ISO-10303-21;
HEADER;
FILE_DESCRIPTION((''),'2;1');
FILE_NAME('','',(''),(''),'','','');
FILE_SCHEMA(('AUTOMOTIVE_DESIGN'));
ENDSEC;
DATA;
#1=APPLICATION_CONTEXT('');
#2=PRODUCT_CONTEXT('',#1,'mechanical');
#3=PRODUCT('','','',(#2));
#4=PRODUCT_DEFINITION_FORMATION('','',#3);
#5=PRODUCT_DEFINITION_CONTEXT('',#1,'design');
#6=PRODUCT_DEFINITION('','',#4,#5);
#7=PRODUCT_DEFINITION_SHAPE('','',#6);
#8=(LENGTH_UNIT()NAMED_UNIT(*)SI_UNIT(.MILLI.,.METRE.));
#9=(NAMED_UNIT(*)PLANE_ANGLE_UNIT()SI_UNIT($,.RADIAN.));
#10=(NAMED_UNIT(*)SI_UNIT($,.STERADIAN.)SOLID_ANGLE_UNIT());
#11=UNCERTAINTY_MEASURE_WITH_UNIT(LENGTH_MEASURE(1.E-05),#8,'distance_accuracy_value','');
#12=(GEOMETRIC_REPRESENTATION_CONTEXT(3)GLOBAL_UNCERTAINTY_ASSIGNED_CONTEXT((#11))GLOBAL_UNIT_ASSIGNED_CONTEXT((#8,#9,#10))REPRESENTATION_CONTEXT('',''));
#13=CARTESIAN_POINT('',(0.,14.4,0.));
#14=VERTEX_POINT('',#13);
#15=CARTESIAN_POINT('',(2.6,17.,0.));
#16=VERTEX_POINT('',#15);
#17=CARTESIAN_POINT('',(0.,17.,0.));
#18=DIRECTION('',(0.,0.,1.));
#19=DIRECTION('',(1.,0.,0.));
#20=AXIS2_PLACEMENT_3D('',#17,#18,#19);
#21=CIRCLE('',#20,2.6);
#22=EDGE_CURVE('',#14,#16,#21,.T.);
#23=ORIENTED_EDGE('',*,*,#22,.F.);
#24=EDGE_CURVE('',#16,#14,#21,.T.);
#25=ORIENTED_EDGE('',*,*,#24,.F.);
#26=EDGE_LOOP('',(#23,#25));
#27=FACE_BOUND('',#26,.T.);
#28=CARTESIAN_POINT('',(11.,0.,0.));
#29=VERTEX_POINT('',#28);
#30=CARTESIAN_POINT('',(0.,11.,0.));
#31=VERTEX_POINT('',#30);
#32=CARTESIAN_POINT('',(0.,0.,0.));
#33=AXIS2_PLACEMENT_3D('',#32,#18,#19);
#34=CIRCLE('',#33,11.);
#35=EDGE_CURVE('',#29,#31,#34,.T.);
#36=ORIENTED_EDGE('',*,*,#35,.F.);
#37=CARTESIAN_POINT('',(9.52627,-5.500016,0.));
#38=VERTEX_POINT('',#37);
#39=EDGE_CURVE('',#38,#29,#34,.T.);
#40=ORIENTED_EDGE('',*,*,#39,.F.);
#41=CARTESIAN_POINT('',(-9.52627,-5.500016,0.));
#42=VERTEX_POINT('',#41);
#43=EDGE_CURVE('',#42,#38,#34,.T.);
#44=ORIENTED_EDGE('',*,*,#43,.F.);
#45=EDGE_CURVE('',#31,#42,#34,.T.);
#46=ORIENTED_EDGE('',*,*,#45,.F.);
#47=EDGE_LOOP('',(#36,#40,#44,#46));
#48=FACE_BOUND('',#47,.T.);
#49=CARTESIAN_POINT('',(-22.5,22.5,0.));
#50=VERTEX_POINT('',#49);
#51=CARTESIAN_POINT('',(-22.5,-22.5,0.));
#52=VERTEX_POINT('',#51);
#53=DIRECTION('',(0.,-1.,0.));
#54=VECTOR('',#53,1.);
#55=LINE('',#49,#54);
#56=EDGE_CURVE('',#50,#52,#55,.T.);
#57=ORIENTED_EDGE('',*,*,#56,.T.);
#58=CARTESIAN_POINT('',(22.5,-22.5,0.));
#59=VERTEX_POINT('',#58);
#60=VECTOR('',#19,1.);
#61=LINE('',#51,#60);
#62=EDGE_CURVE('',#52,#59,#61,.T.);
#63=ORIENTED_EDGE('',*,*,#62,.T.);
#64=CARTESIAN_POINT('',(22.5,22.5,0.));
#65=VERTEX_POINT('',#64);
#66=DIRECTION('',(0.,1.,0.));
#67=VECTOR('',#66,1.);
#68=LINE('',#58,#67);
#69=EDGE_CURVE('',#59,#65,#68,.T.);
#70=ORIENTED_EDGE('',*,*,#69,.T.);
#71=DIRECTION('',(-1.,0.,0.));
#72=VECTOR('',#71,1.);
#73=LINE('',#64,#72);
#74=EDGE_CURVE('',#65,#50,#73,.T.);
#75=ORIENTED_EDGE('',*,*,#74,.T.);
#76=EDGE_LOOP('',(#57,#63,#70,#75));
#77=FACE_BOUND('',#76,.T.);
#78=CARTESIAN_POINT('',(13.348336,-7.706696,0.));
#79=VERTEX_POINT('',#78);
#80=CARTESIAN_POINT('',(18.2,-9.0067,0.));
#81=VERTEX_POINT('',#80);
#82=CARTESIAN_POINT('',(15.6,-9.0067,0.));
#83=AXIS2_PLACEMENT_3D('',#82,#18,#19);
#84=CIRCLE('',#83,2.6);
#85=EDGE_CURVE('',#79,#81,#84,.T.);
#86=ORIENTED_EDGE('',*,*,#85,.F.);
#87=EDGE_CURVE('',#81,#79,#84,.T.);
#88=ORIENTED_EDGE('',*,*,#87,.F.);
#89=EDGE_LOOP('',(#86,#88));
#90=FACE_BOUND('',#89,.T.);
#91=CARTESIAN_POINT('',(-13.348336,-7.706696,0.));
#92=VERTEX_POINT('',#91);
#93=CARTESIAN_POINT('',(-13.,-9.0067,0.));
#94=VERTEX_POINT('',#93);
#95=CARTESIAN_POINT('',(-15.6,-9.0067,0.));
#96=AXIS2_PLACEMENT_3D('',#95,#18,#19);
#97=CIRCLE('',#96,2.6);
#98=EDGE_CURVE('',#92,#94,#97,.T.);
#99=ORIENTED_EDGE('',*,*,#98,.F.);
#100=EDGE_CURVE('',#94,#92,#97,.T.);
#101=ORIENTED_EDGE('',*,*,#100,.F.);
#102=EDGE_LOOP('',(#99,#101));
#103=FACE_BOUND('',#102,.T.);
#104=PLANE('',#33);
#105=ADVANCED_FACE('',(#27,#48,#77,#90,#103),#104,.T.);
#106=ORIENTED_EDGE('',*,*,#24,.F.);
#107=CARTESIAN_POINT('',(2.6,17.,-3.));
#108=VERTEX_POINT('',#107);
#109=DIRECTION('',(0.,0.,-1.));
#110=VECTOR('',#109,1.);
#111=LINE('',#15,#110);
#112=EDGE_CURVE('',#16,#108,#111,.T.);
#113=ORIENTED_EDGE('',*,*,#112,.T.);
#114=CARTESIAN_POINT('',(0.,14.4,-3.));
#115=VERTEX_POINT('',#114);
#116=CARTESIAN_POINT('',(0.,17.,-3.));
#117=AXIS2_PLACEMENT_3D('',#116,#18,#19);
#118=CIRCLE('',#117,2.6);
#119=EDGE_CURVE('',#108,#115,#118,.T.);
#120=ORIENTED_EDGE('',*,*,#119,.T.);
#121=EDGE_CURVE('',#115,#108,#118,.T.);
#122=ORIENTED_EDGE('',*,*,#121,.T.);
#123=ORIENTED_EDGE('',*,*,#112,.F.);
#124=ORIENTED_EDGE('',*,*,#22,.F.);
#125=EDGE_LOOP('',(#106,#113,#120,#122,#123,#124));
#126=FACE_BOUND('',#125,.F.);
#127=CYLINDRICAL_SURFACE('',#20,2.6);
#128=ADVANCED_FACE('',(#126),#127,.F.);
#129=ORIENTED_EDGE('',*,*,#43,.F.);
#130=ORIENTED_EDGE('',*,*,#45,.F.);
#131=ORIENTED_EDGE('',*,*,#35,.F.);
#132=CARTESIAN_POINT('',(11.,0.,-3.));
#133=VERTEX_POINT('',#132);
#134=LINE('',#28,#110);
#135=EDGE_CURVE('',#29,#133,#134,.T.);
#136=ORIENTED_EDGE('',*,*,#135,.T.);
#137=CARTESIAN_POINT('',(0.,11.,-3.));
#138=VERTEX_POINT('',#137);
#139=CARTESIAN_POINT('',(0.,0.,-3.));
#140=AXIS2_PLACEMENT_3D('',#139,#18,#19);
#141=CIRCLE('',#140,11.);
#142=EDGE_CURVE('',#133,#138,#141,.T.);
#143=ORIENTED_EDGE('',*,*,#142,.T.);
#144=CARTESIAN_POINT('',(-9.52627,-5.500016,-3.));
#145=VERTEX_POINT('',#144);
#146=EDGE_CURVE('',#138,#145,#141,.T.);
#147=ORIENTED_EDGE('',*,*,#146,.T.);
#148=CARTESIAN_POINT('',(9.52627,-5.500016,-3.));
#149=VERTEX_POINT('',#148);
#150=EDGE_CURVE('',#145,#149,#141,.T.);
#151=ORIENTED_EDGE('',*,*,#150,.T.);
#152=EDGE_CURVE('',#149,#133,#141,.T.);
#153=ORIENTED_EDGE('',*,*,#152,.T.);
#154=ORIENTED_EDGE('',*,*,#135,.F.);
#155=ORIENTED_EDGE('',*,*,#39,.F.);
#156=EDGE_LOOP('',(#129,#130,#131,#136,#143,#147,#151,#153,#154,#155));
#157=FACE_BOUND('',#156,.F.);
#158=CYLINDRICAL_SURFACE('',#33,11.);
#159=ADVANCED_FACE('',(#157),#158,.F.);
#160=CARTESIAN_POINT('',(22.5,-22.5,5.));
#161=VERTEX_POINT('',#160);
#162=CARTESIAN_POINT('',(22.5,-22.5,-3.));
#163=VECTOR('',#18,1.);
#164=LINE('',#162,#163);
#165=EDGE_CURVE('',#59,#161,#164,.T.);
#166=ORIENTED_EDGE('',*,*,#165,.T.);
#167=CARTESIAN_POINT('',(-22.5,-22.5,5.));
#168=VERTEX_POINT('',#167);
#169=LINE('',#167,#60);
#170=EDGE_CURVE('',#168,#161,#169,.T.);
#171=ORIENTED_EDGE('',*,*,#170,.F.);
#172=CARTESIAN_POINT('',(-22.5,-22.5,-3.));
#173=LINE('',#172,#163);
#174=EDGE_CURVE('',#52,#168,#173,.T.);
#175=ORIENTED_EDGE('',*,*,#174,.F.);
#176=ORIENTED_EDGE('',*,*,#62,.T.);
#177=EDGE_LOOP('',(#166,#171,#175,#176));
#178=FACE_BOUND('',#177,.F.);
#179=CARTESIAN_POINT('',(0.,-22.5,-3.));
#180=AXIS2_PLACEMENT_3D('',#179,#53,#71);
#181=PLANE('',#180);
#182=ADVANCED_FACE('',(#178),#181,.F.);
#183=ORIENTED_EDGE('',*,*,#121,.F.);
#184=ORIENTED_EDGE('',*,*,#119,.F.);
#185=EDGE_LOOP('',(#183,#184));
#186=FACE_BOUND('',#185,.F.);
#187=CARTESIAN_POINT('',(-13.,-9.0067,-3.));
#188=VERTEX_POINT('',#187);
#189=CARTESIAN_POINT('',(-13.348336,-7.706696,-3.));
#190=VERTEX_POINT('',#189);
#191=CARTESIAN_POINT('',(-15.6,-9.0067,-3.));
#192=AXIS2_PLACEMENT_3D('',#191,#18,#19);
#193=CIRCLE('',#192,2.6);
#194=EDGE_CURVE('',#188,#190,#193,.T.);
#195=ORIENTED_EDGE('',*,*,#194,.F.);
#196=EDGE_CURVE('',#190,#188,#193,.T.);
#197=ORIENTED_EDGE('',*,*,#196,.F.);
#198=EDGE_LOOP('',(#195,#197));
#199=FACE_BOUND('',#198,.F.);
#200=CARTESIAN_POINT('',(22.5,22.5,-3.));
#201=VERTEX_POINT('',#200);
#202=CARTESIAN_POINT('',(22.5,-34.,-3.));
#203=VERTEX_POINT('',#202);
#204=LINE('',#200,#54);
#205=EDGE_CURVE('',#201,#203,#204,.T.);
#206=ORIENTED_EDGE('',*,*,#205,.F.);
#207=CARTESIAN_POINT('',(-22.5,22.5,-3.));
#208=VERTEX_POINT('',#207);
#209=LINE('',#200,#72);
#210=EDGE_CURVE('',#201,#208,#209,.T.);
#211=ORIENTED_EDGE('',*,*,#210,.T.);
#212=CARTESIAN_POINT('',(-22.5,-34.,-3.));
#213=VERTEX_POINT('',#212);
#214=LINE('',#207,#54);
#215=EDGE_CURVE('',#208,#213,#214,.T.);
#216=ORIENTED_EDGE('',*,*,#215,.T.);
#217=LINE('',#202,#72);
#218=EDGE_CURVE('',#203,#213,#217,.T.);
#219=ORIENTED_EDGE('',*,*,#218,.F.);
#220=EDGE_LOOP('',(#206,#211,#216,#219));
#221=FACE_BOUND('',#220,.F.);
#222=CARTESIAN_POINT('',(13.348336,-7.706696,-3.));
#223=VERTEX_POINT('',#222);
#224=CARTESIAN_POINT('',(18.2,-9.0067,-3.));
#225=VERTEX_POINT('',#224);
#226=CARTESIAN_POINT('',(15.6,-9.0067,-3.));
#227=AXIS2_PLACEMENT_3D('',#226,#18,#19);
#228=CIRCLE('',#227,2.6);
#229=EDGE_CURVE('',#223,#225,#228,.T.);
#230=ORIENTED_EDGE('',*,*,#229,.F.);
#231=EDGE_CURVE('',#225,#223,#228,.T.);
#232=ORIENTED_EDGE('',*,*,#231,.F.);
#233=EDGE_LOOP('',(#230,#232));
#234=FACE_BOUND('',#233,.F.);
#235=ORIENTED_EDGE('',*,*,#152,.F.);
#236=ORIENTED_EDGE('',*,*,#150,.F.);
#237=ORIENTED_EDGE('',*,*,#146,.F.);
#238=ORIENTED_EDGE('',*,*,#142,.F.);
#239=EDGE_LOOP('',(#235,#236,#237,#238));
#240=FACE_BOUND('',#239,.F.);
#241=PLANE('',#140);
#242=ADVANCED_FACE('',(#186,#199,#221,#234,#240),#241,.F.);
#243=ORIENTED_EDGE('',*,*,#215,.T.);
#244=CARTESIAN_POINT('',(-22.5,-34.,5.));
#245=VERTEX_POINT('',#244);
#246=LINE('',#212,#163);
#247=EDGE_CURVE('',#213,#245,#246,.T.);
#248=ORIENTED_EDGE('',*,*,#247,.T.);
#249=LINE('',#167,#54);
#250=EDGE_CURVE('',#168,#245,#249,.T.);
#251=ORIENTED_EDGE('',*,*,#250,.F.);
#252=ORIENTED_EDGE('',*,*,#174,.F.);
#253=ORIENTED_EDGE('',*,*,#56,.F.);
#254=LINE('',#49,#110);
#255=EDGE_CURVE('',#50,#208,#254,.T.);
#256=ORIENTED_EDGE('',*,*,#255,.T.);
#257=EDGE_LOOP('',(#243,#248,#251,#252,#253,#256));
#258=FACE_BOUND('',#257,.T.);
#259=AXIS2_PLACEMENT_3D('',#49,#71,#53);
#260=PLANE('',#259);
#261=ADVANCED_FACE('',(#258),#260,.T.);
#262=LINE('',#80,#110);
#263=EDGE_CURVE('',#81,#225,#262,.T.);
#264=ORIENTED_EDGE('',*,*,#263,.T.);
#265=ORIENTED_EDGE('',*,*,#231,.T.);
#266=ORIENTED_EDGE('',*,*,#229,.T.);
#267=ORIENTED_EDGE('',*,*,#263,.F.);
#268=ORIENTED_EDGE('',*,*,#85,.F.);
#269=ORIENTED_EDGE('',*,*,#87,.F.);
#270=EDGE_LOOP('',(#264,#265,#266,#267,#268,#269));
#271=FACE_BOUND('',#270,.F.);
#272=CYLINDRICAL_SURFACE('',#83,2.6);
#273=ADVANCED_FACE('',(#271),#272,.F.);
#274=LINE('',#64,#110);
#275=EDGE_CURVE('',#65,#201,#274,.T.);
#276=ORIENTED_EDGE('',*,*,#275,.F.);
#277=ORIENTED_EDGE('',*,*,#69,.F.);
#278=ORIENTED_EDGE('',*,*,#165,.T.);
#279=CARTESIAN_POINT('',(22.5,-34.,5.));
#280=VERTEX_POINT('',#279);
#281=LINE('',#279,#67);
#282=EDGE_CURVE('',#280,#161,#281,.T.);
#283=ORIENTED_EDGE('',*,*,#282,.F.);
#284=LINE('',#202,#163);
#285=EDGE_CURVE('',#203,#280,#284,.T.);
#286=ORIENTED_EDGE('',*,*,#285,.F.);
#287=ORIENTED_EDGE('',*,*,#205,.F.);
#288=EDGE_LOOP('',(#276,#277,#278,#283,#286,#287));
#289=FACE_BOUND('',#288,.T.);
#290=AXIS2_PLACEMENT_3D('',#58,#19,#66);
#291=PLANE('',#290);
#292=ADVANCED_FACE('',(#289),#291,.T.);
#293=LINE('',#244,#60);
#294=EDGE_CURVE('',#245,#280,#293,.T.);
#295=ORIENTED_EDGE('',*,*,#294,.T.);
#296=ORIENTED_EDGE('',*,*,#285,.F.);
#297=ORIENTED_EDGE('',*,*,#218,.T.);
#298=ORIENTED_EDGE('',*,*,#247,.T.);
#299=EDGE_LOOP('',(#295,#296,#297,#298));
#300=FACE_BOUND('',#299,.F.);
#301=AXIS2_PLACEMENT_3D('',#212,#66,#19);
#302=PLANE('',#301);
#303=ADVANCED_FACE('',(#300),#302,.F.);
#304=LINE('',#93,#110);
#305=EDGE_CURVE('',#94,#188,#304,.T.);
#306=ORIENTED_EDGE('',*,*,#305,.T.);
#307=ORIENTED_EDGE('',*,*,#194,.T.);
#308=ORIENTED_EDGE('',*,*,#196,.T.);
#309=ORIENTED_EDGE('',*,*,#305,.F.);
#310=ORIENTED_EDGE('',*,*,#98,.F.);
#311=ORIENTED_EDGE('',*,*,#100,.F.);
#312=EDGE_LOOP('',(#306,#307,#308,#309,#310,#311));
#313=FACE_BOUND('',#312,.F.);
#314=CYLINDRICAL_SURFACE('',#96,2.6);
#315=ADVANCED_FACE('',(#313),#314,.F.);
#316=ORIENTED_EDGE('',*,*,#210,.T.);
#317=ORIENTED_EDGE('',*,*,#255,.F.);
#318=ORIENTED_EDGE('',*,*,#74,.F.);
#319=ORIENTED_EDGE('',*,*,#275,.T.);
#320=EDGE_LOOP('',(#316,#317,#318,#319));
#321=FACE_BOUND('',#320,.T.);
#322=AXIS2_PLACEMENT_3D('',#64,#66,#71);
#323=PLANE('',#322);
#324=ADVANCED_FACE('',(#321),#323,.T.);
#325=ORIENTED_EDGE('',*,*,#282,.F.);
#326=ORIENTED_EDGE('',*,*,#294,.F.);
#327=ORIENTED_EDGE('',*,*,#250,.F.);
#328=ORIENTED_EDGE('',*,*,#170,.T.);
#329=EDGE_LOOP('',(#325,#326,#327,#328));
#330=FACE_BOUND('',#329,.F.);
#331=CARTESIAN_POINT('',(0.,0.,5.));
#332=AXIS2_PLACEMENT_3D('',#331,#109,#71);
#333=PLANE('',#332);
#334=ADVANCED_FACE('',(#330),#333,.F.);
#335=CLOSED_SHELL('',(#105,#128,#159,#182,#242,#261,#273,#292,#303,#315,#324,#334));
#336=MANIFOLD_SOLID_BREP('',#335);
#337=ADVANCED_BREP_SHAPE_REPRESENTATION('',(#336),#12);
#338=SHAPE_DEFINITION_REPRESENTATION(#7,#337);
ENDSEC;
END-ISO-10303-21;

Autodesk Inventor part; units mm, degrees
ref_plane "YZ Plane" through (0, 0, 0) normal (1, 0, 0) x (0, 1, 0)
ref_plane "XZ Plane" through (0, 0, 0) normal (0, 1, 0) x (-1, 0, 0)
ref_plane "XY Plane" through (0, 0, 0) normal (0, 0, 1) x (1, 0, 0)
sketch "Sketch1" plane through (0, 0, 0) normal (0, 0, 1) x (1, 0, 0)
  line L0 (-22.5, -22.5) -> (22.5, -22.5)
  line L1 (22.5, -22.5) -> (22.5, 22.5)
  line L2 (22.5, 22.5) -> (-22.5, 22.5)
  line L3 (-22.5, 22.5) -> (-22.5, -22.5)
  line L4 (-22.5, -22.5) -> (22.5, 22.5) construction
  line L5 (22.5, -22.5) -> (-22.5, 22.5) construction
  circle A0 centre (0, 0) radius 11
  line L6 (0, 0) -> (0, 17)
  line L7 (0, 0) -> (15.6, -9.0067)
  line L8 (0, 0) -> (-15.6, -9.0067)
  circle A1 centre (0, 17) radius 2.6
  circle A2 centre (15.6, -9.0067) radius 2.6
  circle A3 centre (-15.6, -9.0067) radius 2.6
  point P0 (22.5, -11.0947)
  point P1 (-22.5, -11.0947)
  dimension "d0" = 45
  dimension "d1" = 45
  dimension "d2" = 22
  dimension "d3" = 17
  dimension "d4" = 15.6
  dimension "d5" = 120
  dimension "d6" = 15.6
  dimension "d7" = 120
  dimension "d8" = 5.2
  dimension "d9" = 5.2
  dimension "d10" = 5.2
extrude "Extrusion2" add sketch "Sketch1" against normal blind 3
sketch "Sketch12" plane through (0, 0, -3) normal (0, 0, -1) x (-1, 0, 0)
  line L0 (0, 0) -> (0, -34)
  line L1 (-22.5, -22.5) -> (22.5, -22.5) projected
  line L2 (-22.5, -22.5) -> (22.5, -22.5)
  line L3 (22.5, -22.5) -> (22.5, -34)
  line L4 (22.5, -34) -> (-22.5, -34)
  line L5 (-22.5, -34) -> (-22.5, -22.5)
  dimension "d25" = 34
extrude "Extrusion5" add sketch "Sketch12" against normal blind 8
equation "\"d1\" = d0"
equation "\"d4\" = d6"
equation "\"d7\" = d5"
equation "\"d9\" = d8"
equation "\"d10\" = d8"
properties part number "mount_v09"
